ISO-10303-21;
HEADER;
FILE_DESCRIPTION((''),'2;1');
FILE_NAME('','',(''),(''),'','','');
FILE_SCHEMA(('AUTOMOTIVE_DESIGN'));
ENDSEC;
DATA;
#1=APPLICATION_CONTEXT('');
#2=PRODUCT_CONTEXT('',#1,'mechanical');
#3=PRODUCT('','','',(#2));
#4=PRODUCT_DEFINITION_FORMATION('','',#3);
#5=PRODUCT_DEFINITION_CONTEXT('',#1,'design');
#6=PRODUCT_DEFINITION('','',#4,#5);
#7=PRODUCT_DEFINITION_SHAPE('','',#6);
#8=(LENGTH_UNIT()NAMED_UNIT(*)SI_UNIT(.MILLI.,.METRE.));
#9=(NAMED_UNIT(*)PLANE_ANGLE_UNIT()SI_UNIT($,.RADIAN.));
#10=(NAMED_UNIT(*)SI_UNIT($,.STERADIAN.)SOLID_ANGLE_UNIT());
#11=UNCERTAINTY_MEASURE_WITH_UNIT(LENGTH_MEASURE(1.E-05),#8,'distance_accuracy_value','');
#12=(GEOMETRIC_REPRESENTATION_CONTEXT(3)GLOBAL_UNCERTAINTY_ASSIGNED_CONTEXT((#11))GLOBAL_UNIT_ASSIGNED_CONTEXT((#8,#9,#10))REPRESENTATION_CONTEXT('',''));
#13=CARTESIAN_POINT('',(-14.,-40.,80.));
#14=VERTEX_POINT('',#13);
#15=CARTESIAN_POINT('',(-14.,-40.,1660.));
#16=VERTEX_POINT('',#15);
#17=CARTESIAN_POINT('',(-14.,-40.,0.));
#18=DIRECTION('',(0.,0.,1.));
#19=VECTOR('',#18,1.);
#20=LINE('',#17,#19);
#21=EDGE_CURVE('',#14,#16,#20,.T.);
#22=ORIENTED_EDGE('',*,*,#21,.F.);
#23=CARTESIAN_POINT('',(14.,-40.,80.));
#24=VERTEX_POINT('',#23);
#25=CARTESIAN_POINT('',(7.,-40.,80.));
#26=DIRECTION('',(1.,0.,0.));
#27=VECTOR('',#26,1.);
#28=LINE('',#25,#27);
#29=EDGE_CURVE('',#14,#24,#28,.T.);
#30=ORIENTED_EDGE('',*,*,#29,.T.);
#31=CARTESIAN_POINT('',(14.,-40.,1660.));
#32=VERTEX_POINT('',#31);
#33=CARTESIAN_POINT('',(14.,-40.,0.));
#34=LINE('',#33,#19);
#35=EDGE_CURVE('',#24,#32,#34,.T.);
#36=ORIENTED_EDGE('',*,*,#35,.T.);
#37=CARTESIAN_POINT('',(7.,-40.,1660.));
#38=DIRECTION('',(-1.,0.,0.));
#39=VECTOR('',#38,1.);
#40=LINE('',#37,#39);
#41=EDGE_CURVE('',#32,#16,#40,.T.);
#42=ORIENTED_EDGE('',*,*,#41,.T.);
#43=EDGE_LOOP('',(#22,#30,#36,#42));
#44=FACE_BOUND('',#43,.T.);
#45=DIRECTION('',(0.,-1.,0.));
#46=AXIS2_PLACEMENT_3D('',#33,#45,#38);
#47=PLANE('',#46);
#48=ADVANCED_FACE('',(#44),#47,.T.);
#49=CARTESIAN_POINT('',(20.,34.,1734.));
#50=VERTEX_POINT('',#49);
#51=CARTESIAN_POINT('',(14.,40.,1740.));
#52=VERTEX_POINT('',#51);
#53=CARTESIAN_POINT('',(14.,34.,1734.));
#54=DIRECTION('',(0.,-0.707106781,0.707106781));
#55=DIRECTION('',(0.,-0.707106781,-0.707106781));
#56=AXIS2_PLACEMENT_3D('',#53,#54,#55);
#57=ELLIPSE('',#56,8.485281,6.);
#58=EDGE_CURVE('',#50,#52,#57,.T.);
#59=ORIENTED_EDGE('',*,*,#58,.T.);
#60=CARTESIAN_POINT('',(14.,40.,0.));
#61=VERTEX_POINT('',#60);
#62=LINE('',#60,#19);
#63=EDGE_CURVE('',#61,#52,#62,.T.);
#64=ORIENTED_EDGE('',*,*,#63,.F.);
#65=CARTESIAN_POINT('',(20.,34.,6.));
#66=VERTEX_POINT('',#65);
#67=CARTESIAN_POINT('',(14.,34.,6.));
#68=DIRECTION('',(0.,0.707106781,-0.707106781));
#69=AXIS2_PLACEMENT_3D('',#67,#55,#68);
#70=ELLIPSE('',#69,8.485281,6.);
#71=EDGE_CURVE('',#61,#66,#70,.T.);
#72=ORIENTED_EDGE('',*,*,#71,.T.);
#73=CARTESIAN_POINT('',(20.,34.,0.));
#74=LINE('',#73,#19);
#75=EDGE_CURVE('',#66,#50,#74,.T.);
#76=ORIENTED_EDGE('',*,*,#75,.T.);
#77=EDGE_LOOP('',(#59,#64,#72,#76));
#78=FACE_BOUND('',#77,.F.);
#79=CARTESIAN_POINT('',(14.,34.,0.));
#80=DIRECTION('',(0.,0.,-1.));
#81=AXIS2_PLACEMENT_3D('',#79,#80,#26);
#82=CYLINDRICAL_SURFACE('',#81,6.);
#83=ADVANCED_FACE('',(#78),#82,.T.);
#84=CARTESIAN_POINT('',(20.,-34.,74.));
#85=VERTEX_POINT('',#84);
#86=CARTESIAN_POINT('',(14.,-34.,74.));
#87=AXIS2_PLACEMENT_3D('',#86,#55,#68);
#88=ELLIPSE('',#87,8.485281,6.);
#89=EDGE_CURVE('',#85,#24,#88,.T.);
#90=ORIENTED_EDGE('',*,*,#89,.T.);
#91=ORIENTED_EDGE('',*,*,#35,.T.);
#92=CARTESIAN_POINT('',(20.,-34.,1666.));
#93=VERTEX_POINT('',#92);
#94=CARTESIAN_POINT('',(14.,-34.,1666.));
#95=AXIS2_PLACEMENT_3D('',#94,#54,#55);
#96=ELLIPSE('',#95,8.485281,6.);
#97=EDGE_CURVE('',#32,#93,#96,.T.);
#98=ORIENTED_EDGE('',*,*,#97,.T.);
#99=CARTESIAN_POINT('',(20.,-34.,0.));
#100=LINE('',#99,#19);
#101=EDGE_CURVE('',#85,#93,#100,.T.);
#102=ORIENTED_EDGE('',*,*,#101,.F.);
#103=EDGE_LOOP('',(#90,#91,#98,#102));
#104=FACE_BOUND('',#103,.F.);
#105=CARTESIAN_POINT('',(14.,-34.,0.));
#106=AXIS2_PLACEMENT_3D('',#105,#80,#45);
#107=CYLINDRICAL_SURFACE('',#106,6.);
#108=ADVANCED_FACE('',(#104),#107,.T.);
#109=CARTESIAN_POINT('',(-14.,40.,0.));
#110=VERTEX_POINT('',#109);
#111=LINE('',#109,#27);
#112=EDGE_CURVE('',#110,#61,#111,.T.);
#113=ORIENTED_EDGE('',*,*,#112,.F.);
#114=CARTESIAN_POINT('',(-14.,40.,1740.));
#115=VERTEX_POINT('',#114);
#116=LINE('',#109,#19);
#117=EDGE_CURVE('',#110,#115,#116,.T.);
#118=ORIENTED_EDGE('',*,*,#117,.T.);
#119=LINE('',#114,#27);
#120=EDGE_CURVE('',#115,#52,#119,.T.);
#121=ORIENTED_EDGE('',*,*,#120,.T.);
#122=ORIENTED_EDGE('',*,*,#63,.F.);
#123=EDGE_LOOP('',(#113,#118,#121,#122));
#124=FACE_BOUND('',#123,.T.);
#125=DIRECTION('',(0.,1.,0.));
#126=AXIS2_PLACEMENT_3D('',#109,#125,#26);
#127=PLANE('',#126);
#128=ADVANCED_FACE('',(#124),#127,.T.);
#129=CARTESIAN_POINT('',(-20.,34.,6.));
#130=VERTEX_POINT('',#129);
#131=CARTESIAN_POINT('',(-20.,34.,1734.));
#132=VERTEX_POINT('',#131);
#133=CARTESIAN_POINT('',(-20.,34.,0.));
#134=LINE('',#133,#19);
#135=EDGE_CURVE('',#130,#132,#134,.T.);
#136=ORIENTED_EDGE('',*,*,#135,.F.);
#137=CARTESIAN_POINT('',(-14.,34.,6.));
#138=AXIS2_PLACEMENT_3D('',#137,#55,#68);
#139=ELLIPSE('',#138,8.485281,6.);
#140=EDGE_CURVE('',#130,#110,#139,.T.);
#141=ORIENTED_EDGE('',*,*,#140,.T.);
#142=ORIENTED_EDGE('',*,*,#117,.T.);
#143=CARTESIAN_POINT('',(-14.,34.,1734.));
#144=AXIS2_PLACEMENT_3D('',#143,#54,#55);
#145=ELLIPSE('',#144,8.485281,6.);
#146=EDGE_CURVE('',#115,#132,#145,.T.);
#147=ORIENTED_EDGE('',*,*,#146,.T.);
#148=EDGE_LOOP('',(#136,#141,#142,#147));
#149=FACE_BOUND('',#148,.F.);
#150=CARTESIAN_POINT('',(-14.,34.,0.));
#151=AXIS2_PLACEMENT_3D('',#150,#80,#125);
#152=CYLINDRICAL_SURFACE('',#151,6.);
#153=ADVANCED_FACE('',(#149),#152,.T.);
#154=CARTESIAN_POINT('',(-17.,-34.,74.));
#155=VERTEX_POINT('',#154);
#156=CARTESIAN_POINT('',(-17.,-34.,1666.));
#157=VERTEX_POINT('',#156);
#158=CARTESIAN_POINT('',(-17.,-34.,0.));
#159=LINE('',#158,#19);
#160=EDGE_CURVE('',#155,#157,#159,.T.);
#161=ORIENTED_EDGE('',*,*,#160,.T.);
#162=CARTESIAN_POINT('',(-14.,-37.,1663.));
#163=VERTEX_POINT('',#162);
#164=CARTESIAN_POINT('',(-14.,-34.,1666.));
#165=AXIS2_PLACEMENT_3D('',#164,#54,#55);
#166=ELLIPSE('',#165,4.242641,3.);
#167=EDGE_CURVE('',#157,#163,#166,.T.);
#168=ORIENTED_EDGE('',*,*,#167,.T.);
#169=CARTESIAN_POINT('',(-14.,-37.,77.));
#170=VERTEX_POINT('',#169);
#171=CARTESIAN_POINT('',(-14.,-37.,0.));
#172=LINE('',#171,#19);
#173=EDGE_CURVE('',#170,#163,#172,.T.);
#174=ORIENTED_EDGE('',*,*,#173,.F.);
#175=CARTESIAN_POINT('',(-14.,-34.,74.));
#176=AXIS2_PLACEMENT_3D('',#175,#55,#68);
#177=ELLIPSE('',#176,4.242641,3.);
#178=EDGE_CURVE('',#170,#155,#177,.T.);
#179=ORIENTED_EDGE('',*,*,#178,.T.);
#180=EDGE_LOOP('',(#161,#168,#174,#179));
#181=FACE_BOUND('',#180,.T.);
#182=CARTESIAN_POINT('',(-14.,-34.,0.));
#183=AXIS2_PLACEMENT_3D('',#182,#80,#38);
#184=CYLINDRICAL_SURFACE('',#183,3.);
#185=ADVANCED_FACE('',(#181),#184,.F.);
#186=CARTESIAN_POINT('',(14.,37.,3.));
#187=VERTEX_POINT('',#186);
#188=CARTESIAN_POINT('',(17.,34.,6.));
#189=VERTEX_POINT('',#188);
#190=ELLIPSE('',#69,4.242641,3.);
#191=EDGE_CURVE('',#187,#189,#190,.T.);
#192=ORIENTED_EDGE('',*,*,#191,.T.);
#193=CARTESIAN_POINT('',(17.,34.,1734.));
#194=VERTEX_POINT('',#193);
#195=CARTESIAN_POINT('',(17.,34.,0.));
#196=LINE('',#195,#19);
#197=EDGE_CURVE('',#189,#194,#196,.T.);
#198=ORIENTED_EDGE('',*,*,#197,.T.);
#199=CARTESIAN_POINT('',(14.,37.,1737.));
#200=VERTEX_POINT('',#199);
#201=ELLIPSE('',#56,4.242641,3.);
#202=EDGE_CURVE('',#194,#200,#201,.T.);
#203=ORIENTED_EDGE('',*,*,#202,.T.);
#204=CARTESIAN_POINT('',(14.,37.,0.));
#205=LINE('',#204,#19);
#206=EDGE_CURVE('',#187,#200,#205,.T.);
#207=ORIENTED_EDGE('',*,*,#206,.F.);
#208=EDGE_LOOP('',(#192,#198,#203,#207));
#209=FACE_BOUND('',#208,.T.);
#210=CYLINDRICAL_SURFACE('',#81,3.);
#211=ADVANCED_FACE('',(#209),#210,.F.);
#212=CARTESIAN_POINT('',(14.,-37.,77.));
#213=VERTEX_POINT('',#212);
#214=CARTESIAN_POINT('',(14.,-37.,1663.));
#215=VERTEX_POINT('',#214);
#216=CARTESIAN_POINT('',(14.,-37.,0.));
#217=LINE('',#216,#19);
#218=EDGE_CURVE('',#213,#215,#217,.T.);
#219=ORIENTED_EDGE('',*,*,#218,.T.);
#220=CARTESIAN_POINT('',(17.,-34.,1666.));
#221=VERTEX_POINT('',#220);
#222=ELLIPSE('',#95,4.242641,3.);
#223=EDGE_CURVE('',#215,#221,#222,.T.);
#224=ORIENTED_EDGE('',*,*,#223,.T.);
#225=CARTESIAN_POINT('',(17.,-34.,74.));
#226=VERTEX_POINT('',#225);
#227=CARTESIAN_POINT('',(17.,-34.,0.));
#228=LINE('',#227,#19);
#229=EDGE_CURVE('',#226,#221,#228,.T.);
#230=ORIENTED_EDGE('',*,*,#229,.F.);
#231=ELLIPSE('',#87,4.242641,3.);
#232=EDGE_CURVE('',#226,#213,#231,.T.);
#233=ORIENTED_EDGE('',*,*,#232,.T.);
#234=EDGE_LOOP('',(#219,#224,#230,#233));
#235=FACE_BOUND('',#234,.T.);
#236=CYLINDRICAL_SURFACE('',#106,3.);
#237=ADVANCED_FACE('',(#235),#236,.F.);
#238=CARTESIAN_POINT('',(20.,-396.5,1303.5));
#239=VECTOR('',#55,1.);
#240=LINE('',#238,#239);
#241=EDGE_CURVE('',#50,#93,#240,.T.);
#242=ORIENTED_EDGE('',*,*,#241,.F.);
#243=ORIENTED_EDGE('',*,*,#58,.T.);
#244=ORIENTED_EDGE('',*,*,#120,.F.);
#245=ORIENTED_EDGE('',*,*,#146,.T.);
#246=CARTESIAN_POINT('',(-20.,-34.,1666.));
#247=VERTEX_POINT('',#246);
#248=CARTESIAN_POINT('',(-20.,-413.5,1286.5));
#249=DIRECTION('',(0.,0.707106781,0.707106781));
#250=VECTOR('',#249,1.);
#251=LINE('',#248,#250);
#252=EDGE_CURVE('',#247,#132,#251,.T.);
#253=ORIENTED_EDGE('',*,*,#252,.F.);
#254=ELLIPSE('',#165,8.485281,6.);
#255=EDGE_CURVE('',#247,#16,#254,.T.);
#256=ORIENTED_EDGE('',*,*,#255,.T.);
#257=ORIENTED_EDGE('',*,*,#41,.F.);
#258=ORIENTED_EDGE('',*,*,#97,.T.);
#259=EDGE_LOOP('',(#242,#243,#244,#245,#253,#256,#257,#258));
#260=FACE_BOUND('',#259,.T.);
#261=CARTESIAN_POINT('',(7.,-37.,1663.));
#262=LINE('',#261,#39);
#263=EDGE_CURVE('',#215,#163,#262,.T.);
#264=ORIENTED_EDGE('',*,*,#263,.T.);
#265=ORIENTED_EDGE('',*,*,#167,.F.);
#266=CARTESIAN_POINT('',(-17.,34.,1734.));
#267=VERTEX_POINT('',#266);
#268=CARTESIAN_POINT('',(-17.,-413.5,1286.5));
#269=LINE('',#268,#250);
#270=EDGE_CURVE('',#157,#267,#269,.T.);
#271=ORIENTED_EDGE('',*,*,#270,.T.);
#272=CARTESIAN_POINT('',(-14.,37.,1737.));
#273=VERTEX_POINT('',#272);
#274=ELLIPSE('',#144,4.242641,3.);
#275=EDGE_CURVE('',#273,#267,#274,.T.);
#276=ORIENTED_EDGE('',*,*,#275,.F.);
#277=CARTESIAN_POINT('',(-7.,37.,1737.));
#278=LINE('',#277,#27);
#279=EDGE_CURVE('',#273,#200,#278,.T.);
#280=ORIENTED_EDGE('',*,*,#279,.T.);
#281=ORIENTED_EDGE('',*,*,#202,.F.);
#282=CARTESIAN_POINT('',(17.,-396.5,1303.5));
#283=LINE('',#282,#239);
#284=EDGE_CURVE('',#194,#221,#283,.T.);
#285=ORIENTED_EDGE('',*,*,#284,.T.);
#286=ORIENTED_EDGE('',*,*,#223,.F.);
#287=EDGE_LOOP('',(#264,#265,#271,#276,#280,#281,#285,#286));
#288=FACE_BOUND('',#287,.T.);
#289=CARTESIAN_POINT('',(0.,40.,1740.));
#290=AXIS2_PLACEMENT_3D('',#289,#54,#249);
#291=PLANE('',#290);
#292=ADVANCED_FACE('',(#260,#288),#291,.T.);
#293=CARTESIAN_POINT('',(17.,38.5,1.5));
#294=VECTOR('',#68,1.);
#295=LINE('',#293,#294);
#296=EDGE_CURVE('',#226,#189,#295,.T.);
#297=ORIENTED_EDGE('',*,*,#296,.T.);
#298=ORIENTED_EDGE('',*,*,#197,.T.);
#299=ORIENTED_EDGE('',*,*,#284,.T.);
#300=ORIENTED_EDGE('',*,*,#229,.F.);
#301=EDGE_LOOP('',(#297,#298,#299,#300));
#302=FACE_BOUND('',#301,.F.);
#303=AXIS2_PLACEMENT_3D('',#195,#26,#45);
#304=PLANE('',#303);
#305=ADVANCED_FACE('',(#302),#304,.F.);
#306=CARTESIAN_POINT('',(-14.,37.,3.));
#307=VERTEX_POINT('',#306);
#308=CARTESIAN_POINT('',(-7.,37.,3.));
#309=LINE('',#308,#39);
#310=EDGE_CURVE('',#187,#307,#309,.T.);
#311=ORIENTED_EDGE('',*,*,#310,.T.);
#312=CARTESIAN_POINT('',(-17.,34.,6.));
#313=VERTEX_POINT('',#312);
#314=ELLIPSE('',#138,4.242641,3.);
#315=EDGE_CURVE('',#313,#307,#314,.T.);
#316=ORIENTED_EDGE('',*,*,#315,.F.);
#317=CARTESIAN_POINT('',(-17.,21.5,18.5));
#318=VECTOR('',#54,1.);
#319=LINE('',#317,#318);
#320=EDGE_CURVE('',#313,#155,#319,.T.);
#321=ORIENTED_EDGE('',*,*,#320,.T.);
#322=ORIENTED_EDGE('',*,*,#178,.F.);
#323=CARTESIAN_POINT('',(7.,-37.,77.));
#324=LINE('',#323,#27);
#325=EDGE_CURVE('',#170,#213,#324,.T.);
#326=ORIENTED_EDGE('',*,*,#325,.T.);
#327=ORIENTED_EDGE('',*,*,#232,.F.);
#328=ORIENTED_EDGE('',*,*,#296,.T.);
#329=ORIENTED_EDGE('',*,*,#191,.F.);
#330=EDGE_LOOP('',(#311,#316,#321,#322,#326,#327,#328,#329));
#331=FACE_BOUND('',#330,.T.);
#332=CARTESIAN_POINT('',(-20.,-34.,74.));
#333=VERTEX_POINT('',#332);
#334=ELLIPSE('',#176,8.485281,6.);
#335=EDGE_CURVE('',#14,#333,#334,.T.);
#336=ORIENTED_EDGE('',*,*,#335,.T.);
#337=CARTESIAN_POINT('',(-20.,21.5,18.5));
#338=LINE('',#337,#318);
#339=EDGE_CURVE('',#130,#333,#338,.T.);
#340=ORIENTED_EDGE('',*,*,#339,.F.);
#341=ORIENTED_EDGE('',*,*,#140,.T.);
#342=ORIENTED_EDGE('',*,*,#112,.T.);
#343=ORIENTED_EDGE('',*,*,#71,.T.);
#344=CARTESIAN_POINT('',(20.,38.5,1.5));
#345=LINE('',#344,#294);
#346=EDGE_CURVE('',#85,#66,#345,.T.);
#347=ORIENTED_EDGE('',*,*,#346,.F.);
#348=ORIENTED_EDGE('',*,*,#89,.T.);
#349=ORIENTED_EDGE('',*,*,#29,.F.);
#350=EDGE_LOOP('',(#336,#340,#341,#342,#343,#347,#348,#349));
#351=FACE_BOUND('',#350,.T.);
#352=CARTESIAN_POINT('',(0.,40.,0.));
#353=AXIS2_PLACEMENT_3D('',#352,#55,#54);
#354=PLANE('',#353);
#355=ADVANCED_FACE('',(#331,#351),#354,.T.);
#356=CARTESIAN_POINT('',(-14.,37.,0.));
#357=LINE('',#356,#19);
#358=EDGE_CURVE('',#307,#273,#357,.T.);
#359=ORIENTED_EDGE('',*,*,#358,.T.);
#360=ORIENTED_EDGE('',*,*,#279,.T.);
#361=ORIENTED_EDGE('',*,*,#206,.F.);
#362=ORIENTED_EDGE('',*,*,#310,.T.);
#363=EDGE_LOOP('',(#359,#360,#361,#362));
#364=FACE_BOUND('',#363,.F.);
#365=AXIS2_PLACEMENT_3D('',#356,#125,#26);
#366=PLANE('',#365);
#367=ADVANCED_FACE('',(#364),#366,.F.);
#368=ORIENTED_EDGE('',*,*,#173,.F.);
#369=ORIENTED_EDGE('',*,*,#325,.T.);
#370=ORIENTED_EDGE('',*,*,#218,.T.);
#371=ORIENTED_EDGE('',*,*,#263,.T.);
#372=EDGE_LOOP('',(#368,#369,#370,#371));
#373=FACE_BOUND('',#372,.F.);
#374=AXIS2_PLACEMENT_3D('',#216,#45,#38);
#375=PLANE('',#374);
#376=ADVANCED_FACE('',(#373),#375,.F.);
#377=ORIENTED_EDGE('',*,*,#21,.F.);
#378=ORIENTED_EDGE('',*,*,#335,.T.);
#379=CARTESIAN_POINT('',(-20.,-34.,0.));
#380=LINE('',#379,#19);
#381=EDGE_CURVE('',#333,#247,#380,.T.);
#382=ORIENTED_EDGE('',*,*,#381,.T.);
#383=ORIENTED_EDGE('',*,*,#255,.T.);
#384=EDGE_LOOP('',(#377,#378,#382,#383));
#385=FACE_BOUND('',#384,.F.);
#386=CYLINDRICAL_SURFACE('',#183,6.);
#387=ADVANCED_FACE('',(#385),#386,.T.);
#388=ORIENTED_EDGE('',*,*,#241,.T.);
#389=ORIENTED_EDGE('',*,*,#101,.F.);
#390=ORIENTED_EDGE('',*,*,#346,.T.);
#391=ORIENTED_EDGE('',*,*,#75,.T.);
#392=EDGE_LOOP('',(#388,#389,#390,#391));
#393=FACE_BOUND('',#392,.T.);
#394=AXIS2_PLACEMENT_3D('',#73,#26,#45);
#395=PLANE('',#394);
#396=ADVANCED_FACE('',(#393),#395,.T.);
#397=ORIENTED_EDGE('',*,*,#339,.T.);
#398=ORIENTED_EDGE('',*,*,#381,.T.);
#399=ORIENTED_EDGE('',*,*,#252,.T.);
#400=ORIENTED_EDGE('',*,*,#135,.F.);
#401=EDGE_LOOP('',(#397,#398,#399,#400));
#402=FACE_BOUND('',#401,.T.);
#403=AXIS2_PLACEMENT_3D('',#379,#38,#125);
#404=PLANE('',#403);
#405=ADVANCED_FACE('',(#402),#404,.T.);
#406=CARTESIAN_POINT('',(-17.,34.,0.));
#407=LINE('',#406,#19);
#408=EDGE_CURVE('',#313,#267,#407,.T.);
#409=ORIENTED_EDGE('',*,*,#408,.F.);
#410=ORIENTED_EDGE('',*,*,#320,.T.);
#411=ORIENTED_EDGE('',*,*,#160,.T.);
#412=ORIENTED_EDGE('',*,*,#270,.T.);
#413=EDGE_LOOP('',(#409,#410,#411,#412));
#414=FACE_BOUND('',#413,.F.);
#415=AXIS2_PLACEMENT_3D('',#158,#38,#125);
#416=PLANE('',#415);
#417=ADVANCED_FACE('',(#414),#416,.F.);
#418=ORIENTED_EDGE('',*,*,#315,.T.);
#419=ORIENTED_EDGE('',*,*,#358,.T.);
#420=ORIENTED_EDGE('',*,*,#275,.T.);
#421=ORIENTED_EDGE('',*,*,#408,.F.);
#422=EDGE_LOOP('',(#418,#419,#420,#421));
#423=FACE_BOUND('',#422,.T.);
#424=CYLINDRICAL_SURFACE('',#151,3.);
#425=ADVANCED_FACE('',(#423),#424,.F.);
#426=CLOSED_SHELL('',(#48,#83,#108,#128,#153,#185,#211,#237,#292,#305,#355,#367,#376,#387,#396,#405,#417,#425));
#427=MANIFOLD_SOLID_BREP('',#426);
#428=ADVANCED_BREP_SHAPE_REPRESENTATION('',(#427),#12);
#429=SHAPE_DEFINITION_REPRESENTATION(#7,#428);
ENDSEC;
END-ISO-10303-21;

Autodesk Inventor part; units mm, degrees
ref_plane "Start Plane" through (0, 0, 0) normal (0, 0, 1) x (1, 0, 0)
ref_plane "End Plane" through (0, 0, 1740) normal (0, 0, 1) x (1, 0, 0)
sketch "Sketch" plane through (0, 0, 0) normal (0, 0, 1) x (1, 0, 0)
  line L0 (-20, -34) -> (-20, 34)
  line L1 (-14, 40) -> (14, 40)
  line L2 (20, 34) -> (20, -34)
  line L3 (14, -40) -> (-14, -40)
  arc A0 (-20, -34) -> (-14, -40) centre (-14, -34) ccw
  arc A1 (20, 34) -> (14, 40) centre (14, 34) ccw
  arc A2 (-14, 40) -> (-20, 34) centre (-14, 34) ccw
  arc A3 (14, -40) -> (20, -34) centre (14, -34) ccw
  arc A4 (-14, 37) -> (-17, 34) centre (-14, 34) ccw
  line L4 (-14, 37) -> (14, 37)
  arc A5 (17, 34) -> (14, 37) centre (14, 34) ccw
  line L5 (17, 34) -> (17, -34)
  arc A6 (14, -37) -> (17, -34) centre (14, -34) ccw
  line L6 (14, -37) -> (-14, -37)
  arc A7 (-17, -34) -> (-14, -37) centre (-14, -34) ccw
  line L7 (-17, -34) -> (-17, 34)
  line L8 (0, 57.7397) -> (0, -57.7397) construction
  line L9 (-29.7397, 0) -> (29.7397, 0) construction
  dimension "d7" = 6
  dimension "d9" = 40
  dimension "d11" = 80
  dimension "d12" = 3
  dimension "d15" = 20
  dimension "d16" = 40
extrude "Body" add sketch "Sketch" along normal up to surface (1740 mm away) from surface at 0
sketch "Sketch3" plane through (0, 0, 0) normal (0, 0, 1) x (1, 0, 0)
  line L0 (0, 0) -> (10, 0)
ref_plane "Work Plane3" through (0, 0, 0) normal (0, -1, 0) x (1, 0, 0)
ref_plane "Work Plane4" through (0, 40, 0) normal (0, -0.7071, -0.7071) x (1, 0, 0)
split "Split1" plane through (0, 40, 0) removes the side toward (0, -0.7071, -0.7071)
ref_plane "Work Plane5" through (0, 40, 1740) normal (0, -0.7071, 0.7071) x (1, 0, 0)
split "Split2" plane through (0, 40, 1740) removes the side toward (0, -0.7071, 0.7071)
sketch "Sketch4" plane through (0, 0, 0) normal (0, -1, 0) x (1, 0, 0)
  line L0 (-2, 0) -> (12, 0) projected
  line L1 (-2, 1740) -> (12, 1740) projected
  dimension "d18" = 1740
equation "\"d7\" = G_IR"
equation "\"d9\" = G_W"
equation "\"d11\" = G_H"
equation "\"d12\" = G_T"
equation "\"d15\" = 0.5 * d9"
equation "\"d16\" = 0.5 * d11"
equation "\"d3\" = G_L"
equation "\"G_W\" = 40"
equation "\"G_H\" = 80"
equation "\"G_T\" = 3"
equation "\"G_IR\" = 6"
equation "\"G_L\" = d18"
equation "\"G_OFFSET_START\" = 0"
equation "\"G_OFFSET_END\" = 0"
properties part number "ISO 10799-2 - 80x40x3 - 1740" material "Stainless Steel"
